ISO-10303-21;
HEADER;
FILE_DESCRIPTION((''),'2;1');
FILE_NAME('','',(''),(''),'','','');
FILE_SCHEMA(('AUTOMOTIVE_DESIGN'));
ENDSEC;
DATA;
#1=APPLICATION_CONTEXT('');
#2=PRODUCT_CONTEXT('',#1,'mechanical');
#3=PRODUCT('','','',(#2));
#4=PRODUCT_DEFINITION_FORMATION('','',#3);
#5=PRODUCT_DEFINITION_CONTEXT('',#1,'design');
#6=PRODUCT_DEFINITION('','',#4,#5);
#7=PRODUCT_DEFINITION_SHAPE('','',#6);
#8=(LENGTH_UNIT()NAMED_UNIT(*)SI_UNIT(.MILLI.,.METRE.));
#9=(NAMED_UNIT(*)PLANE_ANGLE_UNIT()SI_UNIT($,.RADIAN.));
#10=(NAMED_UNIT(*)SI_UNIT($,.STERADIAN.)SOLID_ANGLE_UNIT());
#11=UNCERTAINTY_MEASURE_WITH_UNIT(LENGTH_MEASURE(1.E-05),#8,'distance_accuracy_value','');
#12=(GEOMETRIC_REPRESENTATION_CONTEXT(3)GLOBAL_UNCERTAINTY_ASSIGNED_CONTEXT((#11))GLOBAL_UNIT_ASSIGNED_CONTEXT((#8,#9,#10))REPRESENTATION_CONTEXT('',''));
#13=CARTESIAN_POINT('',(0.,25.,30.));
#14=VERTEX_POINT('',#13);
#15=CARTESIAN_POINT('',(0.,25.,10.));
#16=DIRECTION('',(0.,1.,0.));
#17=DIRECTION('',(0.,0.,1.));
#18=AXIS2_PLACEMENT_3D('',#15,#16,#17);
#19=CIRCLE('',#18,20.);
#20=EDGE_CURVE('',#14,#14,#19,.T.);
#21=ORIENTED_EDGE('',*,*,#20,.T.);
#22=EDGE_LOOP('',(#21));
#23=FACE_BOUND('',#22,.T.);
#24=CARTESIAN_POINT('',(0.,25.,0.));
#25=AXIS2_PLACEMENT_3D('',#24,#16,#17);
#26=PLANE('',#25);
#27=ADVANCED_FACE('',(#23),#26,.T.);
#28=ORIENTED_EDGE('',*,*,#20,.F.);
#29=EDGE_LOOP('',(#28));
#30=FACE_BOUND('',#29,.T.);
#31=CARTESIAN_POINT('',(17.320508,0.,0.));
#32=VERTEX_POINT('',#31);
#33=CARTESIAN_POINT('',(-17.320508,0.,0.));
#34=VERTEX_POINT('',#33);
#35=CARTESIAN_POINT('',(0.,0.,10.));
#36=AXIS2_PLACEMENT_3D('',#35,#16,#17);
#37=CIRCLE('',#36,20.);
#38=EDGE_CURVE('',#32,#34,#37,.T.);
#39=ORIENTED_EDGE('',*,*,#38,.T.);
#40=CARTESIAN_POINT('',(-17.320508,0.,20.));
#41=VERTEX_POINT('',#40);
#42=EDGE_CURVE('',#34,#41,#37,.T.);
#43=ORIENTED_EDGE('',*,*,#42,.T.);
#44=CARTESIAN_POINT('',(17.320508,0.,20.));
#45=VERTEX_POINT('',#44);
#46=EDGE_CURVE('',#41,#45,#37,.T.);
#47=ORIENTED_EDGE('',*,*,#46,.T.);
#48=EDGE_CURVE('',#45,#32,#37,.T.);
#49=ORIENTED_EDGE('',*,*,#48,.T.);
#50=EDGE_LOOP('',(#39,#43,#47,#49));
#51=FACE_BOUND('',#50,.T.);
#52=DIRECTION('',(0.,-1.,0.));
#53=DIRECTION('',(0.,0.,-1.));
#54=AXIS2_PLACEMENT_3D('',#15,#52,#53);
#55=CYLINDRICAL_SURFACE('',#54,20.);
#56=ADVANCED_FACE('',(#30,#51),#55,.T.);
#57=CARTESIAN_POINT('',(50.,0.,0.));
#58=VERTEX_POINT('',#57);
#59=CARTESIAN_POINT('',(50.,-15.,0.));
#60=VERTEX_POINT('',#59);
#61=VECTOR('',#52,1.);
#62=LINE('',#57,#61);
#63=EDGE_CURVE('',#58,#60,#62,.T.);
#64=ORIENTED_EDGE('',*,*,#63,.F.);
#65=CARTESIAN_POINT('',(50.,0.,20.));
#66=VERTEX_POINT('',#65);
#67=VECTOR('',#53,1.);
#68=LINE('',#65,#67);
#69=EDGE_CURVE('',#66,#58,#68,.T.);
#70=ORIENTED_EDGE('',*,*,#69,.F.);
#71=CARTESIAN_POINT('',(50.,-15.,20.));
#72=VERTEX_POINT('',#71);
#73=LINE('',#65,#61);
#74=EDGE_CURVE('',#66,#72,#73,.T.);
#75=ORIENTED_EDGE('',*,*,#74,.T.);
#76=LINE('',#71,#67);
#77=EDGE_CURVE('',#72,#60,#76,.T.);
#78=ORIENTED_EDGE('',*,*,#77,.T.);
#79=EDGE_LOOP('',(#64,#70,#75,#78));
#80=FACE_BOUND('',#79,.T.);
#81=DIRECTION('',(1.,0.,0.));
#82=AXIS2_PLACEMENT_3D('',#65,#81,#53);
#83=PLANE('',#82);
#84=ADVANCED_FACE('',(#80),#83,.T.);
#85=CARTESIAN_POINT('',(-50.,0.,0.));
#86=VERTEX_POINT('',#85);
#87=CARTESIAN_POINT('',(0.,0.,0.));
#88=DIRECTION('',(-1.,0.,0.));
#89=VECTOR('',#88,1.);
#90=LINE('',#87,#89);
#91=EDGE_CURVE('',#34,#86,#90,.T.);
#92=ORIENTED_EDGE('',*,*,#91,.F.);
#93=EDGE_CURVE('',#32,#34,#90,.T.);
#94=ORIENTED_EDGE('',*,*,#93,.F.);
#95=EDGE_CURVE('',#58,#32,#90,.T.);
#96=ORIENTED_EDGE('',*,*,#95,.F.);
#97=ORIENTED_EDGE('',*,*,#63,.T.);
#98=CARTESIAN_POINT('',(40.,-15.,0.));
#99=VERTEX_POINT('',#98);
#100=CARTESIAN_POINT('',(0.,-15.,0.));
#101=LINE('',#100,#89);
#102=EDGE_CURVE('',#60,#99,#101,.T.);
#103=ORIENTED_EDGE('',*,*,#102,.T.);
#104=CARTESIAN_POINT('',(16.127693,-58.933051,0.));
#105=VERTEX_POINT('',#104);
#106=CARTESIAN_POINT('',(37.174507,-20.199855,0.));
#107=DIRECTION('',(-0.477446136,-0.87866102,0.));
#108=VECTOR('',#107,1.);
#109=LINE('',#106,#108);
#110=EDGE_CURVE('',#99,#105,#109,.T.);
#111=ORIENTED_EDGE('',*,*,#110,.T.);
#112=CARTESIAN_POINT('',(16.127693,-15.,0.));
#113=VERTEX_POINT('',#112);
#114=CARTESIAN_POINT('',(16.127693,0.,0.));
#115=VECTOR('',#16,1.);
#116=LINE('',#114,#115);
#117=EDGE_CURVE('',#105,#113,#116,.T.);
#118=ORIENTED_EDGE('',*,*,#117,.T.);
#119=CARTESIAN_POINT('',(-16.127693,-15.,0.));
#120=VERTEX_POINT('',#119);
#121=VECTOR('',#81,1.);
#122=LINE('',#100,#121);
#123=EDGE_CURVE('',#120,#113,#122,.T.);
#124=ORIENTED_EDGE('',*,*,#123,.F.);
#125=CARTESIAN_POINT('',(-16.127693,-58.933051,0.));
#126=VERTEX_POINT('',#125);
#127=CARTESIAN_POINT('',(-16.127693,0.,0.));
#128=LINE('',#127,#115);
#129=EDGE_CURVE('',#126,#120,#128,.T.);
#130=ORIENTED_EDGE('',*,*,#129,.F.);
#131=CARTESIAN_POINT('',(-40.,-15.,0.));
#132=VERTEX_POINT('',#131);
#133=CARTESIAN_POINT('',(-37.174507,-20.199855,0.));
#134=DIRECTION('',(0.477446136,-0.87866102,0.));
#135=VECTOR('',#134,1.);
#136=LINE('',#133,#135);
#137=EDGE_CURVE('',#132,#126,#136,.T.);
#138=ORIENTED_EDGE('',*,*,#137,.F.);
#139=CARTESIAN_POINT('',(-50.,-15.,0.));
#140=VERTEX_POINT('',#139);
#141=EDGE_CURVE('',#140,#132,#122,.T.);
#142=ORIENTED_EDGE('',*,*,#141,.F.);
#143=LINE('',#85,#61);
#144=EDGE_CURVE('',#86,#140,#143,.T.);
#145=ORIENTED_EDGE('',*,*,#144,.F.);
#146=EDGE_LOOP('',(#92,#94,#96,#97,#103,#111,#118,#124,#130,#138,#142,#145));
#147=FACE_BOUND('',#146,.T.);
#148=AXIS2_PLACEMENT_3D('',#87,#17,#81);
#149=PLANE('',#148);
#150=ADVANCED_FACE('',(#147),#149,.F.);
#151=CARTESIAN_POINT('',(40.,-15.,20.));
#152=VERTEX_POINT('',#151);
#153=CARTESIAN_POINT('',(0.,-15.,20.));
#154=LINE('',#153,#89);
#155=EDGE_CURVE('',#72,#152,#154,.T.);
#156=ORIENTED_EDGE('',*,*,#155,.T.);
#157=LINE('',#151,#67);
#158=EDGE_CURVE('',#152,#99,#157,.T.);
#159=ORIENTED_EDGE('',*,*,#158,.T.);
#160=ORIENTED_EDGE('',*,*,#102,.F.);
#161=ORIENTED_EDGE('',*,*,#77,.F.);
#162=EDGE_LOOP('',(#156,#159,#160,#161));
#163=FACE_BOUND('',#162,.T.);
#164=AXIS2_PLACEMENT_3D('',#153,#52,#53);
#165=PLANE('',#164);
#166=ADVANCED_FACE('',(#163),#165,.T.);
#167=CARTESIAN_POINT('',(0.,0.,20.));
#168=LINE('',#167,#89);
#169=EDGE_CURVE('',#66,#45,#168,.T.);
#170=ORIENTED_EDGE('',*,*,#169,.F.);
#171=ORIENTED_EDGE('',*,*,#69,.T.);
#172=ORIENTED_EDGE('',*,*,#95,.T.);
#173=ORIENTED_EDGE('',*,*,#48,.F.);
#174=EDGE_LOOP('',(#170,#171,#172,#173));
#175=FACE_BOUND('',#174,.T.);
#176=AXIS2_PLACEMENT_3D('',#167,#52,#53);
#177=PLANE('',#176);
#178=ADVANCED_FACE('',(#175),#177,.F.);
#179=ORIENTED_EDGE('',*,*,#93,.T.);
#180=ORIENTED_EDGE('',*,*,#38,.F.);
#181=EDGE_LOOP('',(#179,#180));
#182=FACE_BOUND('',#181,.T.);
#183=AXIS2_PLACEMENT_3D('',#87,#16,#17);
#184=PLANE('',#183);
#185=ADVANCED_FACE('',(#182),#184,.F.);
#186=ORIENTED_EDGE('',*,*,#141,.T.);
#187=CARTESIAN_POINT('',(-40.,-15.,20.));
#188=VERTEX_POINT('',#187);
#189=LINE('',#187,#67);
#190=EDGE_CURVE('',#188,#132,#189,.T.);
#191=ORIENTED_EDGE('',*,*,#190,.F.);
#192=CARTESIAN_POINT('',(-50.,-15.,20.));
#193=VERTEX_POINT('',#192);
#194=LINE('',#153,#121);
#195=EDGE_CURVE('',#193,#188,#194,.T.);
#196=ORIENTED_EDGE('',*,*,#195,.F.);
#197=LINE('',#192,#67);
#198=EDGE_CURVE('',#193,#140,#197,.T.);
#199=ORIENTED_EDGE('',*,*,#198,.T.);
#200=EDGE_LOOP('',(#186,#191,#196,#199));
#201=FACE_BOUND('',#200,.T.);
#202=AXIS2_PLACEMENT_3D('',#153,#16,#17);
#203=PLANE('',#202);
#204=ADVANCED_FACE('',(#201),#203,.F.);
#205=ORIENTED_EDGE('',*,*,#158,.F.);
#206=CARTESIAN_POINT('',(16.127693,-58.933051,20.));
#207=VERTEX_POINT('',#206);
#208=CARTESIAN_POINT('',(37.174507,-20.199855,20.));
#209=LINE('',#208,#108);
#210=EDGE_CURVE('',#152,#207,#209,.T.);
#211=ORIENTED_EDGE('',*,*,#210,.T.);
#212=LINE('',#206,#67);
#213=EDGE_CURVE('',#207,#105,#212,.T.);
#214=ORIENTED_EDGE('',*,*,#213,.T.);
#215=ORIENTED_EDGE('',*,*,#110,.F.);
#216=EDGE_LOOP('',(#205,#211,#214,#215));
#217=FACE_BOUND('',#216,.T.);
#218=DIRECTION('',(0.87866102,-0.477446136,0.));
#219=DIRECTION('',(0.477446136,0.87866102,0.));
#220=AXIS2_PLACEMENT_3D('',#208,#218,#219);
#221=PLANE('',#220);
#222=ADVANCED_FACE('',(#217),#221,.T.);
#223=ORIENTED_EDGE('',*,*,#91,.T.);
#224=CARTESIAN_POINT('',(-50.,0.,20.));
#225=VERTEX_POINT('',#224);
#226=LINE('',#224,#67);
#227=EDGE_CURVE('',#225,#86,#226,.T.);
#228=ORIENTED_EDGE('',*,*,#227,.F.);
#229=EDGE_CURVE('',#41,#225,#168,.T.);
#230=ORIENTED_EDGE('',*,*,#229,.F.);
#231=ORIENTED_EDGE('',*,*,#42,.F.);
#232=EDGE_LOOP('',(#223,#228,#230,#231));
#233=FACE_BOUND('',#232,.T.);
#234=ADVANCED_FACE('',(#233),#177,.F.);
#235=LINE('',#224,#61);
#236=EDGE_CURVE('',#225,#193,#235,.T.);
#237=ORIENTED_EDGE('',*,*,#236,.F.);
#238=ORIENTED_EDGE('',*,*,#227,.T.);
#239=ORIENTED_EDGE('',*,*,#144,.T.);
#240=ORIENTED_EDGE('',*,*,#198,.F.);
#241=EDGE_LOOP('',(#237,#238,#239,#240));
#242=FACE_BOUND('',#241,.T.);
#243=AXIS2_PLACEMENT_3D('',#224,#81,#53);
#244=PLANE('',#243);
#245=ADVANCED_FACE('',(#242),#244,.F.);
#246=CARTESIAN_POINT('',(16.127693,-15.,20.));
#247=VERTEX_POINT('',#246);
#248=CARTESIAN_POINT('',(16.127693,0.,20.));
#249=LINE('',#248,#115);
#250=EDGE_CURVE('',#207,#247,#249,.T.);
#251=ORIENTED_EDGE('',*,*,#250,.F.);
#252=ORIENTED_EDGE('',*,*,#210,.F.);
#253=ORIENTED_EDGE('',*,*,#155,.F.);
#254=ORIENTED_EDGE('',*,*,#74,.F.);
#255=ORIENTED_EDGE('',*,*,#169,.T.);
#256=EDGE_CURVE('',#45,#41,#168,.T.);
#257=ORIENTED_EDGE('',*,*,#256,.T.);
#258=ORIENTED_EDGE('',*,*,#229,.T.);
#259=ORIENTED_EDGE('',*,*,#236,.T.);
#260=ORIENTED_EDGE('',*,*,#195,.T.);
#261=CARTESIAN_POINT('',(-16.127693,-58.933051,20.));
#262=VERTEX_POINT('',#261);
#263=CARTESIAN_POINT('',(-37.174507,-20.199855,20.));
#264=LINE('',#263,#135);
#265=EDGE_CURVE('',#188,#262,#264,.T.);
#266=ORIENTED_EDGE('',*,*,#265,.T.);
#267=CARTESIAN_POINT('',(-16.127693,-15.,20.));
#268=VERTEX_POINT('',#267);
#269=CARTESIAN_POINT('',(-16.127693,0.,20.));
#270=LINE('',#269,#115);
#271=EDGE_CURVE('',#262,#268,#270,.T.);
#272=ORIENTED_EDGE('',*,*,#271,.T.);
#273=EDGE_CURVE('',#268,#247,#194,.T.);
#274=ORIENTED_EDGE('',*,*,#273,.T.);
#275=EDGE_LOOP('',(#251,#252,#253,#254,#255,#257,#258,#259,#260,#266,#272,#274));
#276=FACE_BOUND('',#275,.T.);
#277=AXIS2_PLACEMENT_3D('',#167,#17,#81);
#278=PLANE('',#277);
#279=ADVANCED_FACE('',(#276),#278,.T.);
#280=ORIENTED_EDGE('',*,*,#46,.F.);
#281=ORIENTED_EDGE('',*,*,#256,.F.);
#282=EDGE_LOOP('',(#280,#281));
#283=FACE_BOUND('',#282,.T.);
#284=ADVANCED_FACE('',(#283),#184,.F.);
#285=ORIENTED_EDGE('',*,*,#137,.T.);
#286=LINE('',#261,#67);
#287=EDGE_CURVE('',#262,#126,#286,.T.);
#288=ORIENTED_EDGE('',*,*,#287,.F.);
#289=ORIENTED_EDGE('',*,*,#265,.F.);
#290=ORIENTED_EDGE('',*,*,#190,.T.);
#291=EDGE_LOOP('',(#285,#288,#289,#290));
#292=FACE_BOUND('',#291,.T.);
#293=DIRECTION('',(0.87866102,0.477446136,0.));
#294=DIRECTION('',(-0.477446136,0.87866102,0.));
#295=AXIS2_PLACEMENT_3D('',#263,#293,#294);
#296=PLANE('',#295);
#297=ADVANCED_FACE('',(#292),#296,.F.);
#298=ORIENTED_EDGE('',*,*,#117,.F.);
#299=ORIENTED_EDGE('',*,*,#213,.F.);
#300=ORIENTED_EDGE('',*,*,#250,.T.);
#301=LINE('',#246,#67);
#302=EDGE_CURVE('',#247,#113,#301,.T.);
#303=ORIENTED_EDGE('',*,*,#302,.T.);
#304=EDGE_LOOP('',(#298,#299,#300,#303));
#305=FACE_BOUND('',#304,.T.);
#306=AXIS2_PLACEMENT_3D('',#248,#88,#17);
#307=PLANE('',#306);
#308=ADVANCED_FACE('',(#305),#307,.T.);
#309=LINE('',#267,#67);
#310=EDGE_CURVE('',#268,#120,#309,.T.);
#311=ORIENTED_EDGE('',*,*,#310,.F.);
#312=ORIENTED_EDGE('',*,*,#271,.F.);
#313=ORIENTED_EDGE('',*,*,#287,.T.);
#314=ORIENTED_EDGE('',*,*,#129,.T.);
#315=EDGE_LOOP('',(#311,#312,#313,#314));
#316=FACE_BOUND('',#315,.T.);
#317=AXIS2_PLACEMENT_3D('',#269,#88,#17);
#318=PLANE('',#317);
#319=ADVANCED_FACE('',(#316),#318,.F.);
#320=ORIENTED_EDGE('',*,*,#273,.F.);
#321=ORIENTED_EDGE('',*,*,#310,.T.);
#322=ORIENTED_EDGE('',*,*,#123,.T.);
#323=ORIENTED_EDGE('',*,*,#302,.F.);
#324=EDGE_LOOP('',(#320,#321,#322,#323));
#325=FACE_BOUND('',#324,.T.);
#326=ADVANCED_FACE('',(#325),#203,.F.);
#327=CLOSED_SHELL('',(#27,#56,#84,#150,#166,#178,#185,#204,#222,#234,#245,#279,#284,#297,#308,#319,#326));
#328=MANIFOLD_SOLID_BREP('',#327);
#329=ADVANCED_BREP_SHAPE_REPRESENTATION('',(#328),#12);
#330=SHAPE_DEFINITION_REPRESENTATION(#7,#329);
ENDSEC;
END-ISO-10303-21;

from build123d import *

# Parameters (mm, degrees)
EXTRUDE_1_DEPTH = 20
EXTRUDE_2_DEPTH = 25


with BuildPart() as part:
    # 草图3 → 凸台-拉伸1 (new body)
    with BuildSketch(Plane.XY):
        Polygon((0, -15), (0, 0), (-50, 0), (-50, -15), (-40, -15), (-16.127693207, -58.93305098), (-16.127693207, -15), align=None)
        Polygon((50, -15), (50, 0), (0, 0), (0, -15), (16.127693207, -15), (16.127693207, -58.93305098), (40, -15), align=None)
    extrude(amount=EXTRUDE_1_DEPTH)

    # 草图4 → 凸台-拉伸2 (add)
    with BuildSketch(Plane(origin=(0, 0, 0), x_dir=(1, 0, 0), z_dir=(0, 1, 0))):
        with BuildLine():
            Line((17.320508076, -20), (0, -20))
            Line((0, -20), (-17.320508076, -20))
            ThreePointArc((-17.320508076, -20), (0, -30), (17.320508076, -20))
        make_face()
        with BuildLine():
            Line((17.320508076, 0), (0, 0))
            Line((0, 0), (0, -20))
            Line((0, -20), (17.320508076, -20))
            ThreePointArc((17.320508076, -20), (19.318516526, -15.176380902), (20, -10))
            ThreePointArc((20, -10), (19.318516526, -4.823619098), (17.320508076, 0))
        make_face()
        with BuildLine():
            Line((0, -20), (0, 0))
            Line((0, 0), (-17.320508076, 0))
            ThreePointArc((-17.320508076, 0), (-20, -10), (-17.320508076, -20))
            Line((-17.320508076, -20), (0, -20))
        make_face()
        with BuildLine():
            Line((-17.320508076, 0), (0, 0))
            Line((0, 0), (17.320508076, 0))
            ThreePointArc((17.320508076, 0), (0, 10), (-17.320508076, 0))
        make_face()
    extrude(amount=EXTRUDE_2_DEPTH)


solid = part.part
